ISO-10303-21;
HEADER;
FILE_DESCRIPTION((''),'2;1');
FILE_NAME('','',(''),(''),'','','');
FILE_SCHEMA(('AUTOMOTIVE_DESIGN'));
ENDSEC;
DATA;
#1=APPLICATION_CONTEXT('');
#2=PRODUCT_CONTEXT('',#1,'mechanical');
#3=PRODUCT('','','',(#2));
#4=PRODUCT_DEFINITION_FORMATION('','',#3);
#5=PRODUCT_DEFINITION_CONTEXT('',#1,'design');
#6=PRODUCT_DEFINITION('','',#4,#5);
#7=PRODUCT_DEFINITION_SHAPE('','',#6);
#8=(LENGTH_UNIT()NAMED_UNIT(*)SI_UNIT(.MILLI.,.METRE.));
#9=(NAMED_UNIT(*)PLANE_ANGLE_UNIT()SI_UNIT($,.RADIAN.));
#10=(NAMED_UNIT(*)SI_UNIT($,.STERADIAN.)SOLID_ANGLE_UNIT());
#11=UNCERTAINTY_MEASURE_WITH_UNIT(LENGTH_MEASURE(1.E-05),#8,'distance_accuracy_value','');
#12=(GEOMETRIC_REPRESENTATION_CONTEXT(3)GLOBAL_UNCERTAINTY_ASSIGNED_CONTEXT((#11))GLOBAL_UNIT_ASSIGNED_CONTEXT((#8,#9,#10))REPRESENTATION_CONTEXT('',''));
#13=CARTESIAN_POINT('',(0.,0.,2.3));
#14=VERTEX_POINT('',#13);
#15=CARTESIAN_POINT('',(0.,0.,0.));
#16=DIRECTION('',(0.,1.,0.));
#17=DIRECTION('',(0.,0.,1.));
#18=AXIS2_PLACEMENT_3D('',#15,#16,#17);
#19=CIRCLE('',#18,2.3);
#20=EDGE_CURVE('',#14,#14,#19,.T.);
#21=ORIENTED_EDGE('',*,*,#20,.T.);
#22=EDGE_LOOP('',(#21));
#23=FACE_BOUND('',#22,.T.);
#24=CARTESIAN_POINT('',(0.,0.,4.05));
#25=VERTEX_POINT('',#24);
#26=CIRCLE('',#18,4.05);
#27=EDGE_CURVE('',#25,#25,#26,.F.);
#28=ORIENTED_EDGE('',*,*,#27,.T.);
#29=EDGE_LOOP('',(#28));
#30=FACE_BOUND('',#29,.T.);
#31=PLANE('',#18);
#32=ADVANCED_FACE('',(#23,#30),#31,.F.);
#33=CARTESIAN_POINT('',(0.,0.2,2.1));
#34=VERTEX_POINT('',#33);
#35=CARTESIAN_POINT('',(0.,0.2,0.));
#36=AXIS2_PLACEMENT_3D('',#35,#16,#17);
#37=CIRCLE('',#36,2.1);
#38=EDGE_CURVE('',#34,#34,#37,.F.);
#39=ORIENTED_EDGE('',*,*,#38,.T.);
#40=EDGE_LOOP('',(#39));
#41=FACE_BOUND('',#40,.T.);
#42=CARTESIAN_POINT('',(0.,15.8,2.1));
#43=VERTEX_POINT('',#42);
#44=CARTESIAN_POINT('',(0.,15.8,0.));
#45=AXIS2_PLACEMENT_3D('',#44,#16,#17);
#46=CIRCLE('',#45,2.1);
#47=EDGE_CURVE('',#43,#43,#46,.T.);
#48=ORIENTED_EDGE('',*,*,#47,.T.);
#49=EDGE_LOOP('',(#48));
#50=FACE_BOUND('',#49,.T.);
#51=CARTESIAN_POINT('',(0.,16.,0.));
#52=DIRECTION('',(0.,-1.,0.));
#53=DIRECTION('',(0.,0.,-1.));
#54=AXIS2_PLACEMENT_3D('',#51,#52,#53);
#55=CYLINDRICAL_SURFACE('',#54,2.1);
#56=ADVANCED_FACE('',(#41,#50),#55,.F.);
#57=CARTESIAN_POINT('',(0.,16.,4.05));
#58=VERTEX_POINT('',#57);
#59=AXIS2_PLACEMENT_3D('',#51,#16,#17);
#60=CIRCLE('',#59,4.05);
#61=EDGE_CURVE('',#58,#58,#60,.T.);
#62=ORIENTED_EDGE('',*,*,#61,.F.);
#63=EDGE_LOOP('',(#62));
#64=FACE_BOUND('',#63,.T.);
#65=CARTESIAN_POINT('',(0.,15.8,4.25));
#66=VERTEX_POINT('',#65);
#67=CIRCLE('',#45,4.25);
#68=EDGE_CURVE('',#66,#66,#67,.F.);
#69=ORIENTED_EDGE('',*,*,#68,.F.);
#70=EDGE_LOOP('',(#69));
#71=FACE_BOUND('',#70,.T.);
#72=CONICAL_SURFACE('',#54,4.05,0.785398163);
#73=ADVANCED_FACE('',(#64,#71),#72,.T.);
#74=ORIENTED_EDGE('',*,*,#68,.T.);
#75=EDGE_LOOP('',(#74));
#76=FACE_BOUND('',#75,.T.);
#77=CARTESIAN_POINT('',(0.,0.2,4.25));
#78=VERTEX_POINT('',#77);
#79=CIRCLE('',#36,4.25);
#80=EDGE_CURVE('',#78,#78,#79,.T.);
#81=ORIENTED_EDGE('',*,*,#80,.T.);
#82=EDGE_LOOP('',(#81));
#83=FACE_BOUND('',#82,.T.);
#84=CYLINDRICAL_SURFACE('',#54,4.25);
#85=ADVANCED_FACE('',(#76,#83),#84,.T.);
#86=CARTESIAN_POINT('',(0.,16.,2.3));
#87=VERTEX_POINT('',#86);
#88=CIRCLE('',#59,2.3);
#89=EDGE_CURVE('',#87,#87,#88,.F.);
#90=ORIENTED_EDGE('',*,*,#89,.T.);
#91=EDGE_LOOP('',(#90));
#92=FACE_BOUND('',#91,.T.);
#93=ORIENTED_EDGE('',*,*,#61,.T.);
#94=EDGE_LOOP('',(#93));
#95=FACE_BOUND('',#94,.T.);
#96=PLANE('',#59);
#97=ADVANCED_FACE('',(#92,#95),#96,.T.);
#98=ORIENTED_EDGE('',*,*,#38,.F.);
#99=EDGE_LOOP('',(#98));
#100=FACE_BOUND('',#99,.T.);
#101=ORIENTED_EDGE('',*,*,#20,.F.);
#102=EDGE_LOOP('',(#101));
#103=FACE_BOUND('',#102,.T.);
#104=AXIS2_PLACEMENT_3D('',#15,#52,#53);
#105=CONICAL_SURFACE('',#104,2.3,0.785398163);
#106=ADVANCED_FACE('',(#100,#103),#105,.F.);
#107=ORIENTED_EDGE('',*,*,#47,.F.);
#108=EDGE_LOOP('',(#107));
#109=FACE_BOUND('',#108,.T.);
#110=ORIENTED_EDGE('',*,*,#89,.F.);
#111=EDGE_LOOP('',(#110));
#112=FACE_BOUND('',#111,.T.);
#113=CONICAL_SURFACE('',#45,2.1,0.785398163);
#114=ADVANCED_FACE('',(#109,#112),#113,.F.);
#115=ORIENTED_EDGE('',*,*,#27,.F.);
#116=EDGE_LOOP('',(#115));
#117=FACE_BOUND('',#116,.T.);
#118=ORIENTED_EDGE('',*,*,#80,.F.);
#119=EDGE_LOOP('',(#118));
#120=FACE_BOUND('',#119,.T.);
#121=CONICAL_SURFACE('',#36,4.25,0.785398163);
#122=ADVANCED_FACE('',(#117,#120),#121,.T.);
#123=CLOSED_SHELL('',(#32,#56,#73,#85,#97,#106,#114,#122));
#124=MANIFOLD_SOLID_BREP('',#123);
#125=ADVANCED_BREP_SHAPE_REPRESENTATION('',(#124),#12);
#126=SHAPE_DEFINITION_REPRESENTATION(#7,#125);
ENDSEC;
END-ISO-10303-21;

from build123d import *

# Parameters (mm, degrees)
SKETCH1_R           = 4.25
SKETCH1_R_2         = 2.1
BOSS_EXTRUDE1_DEPTH = 16
CHAMFER1_SIZE       = 0.2


with BuildPart() as part:
    # Sketch1 → Boss-Extrude1 (new body)
    with BuildSketch(Plane(origin=(0, 0, 0), x_dir=(1, 0, 0), z_dir=(0, 1, 0))):
        with Locations(Location((0, 0, 0), (0, 0, 270))):
            Circle(SKETCH1_R)
        with Locations(Location((0, 0, 0), (0, 0, 270))):
            Circle(SKETCH1_R_2, mode=Mode.SUBTRACT)
    extrude(amount=BOSS_EXTRUDE1_DEPTH)

    # Chamfer1
    chamfer1_edges = [part.edges().sort_by_distance(p)[0] for p in [
        (0, 0, -4.25),
        (0, 16, -4.25),
        (0, 0, -2.1),
        (0, 16, -2.1),
    ]]
    chamfer(chamfer1_edges, length=CHAMFER1_SIZE)


solid = part.part
